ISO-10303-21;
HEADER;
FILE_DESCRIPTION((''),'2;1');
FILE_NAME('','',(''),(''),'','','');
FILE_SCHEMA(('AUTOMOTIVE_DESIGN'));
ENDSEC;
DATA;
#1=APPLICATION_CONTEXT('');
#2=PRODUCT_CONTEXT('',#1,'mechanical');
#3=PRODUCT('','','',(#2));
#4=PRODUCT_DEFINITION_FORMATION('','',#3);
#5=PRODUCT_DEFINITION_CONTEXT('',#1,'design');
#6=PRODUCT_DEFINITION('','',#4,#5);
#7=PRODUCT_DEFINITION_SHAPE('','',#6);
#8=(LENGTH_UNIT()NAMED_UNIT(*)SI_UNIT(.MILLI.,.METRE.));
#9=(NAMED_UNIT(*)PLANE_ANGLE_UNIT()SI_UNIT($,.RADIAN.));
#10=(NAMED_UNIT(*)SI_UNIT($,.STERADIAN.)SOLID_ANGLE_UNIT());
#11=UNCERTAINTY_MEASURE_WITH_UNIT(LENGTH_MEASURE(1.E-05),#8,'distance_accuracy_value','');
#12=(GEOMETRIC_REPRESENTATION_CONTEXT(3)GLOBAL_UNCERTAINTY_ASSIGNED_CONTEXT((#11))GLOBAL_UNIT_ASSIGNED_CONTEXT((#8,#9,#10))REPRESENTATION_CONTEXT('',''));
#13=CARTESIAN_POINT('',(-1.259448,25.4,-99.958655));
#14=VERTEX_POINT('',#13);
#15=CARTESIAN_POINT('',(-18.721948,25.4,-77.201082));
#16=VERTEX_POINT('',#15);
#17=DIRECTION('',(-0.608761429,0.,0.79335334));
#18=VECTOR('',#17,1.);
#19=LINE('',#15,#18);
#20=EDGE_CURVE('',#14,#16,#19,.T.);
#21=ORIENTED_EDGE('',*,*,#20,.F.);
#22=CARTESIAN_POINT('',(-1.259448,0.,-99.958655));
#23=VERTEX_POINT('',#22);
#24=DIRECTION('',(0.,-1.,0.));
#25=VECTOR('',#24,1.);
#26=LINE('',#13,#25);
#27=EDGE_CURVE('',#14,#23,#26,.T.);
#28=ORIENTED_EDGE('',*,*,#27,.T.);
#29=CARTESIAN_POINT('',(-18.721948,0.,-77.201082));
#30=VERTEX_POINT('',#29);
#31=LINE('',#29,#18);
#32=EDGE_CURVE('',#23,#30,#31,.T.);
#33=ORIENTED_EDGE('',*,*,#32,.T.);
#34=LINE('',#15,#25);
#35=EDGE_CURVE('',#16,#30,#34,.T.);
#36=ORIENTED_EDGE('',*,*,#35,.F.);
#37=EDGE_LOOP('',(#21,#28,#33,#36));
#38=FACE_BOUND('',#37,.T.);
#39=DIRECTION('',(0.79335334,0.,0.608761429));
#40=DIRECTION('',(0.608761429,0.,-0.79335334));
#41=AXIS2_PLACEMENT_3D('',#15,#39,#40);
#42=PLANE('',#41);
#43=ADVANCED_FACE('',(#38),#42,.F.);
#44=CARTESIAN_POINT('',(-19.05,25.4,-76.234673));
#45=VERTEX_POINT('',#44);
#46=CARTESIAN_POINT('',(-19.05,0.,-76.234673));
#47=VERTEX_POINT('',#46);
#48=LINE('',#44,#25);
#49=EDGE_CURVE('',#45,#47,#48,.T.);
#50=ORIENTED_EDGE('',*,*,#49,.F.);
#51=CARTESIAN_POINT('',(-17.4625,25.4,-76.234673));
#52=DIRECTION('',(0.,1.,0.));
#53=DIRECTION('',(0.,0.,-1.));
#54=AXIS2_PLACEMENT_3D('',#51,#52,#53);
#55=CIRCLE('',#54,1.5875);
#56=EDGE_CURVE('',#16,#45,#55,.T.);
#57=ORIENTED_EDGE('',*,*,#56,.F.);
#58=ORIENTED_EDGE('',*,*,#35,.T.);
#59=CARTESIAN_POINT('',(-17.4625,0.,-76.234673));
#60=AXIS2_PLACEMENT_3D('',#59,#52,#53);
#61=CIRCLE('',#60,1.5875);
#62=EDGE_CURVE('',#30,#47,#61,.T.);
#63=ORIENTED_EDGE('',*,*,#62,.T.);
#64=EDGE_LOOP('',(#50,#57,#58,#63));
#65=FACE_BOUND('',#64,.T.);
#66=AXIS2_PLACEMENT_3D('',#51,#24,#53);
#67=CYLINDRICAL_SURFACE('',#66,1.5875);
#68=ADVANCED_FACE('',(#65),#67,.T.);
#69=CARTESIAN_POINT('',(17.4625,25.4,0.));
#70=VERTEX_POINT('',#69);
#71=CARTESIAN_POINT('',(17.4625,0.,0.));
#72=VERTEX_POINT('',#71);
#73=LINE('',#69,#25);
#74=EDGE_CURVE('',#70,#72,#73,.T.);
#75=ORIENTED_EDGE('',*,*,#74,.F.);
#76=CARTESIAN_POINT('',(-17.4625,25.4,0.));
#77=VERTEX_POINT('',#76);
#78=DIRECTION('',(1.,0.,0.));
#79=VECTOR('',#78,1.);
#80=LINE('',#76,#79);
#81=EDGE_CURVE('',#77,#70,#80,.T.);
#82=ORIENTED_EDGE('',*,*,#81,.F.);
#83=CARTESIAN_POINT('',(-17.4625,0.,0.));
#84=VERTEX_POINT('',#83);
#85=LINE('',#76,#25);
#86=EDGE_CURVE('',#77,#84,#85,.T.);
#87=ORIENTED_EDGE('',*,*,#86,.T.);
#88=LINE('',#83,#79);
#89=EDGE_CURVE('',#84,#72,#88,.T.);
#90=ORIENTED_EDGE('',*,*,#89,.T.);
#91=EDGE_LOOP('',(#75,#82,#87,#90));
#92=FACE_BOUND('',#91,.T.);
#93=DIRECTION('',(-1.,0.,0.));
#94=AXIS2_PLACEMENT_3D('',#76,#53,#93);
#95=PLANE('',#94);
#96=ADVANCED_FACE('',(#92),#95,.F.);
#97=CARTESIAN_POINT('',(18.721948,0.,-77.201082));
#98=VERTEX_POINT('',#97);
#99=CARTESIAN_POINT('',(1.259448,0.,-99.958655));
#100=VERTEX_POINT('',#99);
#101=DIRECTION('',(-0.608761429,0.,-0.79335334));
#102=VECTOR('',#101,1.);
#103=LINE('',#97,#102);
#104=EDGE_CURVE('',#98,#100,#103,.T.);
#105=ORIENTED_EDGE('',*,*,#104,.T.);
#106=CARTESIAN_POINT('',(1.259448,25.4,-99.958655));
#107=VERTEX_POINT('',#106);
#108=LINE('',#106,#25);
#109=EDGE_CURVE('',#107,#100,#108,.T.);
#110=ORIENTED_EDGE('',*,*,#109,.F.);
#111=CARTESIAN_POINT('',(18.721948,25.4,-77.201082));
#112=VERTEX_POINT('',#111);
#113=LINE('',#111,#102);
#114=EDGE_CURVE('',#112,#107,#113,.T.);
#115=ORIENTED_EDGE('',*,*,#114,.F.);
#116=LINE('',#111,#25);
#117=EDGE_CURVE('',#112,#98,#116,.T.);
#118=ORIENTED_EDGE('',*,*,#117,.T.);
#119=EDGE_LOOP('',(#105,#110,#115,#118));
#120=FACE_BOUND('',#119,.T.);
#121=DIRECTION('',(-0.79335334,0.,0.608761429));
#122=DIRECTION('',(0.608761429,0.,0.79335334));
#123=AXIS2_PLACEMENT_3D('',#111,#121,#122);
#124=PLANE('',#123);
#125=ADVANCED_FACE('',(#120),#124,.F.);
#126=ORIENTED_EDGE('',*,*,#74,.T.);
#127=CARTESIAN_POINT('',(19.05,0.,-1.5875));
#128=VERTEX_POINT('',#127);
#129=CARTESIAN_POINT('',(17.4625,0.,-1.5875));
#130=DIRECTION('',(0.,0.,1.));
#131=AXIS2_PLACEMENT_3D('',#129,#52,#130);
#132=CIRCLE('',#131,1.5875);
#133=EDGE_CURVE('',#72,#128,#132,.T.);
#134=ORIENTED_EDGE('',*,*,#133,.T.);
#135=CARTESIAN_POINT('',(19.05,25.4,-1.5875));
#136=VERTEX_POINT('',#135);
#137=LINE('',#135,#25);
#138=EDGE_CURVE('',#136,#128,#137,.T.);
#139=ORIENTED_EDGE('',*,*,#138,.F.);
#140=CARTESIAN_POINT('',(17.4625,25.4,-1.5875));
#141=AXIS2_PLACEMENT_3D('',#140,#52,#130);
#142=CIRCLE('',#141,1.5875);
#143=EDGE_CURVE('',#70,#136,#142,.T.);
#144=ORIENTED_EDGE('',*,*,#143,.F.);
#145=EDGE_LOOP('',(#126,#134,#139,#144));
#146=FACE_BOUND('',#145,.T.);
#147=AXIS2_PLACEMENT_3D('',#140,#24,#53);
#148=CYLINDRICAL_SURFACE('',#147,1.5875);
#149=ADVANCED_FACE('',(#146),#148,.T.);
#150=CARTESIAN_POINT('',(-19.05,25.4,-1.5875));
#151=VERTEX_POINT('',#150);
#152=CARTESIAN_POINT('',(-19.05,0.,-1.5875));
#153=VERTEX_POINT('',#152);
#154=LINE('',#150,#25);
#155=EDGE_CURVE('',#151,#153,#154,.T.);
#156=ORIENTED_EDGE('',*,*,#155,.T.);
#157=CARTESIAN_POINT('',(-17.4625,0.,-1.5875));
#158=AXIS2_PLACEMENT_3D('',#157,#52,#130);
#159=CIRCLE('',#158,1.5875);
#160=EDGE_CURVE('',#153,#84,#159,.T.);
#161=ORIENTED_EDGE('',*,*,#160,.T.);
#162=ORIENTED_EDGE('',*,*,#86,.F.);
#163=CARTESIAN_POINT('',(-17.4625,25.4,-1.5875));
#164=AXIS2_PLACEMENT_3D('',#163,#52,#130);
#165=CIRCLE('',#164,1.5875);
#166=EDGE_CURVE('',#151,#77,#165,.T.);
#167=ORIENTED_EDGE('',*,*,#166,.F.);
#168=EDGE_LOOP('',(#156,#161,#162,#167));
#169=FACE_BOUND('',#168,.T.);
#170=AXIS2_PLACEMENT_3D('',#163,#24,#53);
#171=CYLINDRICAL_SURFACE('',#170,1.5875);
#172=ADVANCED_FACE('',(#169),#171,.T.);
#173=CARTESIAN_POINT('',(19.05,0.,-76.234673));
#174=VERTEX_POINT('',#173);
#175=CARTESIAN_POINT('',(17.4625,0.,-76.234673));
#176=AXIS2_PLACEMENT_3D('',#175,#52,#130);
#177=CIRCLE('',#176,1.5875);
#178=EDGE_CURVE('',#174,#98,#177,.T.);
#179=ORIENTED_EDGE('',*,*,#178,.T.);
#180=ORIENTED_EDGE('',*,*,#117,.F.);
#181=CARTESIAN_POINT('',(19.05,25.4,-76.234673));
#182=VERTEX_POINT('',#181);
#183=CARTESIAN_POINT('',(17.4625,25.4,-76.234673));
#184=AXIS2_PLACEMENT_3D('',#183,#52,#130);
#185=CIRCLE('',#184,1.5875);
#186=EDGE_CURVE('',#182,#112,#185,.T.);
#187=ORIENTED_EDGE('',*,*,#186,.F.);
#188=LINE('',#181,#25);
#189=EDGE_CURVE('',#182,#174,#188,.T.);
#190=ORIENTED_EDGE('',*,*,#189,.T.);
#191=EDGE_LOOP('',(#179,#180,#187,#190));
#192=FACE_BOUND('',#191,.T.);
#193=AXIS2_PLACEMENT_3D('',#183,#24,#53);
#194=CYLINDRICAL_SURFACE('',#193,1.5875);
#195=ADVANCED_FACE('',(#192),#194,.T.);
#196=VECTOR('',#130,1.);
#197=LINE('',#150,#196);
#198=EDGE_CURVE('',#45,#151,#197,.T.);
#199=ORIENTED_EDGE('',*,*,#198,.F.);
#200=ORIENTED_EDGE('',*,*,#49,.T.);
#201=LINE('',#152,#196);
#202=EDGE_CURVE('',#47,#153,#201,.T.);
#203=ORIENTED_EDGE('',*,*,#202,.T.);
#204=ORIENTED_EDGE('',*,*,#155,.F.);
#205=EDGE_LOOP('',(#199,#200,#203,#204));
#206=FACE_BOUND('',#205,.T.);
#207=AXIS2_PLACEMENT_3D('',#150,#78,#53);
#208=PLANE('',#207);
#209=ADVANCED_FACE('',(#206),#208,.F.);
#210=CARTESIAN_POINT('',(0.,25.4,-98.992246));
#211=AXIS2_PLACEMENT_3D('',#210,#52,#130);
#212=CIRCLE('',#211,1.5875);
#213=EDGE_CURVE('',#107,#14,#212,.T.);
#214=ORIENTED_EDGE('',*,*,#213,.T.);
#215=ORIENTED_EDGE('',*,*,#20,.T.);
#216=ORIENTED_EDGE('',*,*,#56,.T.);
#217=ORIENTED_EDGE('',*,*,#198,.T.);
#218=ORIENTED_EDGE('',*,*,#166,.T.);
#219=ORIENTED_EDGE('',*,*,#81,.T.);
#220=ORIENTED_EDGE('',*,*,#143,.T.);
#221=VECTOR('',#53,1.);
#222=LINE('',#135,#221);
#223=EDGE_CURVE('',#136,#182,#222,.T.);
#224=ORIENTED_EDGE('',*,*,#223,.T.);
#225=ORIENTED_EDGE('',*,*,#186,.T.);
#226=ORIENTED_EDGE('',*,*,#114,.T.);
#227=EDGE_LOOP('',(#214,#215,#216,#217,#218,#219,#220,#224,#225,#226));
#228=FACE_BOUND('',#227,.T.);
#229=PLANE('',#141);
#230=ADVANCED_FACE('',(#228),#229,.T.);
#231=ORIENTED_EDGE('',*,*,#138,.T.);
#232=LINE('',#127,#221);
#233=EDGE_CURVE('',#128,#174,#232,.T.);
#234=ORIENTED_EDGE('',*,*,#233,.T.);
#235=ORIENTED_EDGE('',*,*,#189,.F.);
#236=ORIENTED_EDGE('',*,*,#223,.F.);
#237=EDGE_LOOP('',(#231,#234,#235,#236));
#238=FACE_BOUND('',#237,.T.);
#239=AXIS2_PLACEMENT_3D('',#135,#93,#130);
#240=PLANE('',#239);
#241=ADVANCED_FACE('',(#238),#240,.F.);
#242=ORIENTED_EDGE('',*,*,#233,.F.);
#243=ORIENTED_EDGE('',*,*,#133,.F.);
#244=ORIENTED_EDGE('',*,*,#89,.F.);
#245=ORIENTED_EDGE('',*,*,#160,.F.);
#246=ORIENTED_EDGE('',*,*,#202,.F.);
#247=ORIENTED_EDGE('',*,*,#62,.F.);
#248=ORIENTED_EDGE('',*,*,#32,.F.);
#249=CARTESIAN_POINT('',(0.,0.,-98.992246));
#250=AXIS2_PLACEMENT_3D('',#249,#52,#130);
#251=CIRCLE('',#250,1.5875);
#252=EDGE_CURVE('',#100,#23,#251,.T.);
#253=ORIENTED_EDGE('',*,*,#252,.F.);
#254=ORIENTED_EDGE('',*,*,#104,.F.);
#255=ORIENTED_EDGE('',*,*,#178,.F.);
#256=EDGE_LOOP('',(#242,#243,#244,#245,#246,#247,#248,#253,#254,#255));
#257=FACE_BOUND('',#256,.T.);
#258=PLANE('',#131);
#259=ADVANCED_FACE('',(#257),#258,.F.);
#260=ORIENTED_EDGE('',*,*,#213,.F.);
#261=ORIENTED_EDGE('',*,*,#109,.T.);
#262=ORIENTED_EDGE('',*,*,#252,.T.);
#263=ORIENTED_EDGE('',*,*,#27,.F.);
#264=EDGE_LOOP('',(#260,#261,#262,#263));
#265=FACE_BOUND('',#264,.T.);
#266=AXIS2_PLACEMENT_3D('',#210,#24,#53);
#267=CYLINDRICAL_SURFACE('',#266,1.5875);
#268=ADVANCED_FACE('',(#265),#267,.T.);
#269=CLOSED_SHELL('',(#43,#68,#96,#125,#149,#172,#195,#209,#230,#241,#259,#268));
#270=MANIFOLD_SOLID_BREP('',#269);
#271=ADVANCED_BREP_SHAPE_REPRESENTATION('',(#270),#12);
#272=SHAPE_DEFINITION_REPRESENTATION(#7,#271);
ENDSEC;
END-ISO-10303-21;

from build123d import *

# Parameters (mm, degrees)
EXTRUDE1_DEPTH = 25.4


with BuildPart() as part:
    # Sketch1 → Extrude1 (new body)
    with BuildSketch(Plane(origin=(0, 0, 0), x_dir=(1, 0, 0), z_dir=(0, 1, 0))):
        with BuildLine():
            Line((-17.4625, 0), (17.4625, 0))
            ThreePointArc((17.4625, 0), (18.585032015, 0.464967985), (19.05, 1.5875))
            Line((19.05, 1.5875), (19.05, 76.234673011))
            ThreePointArc((19.05, 76.234673011), (18.965751581, 76.744958163), (18.721948428, 77.20108178))
            Line((18.721948428, 77.20108178), (1.259448428, 99.958654853))
            ThreePointArc((1.259448428, 99.958654853), (0, 100.579746085), (-1.259448428, 99.958654853))
            Line((-1.259448428, 99.958654853), (-18.721948428, 77.20108178))
            ThreePointArc((-18.721948428, 77.20108178), (-18.965751581, 76.744958163), (-19.05, 76.234673011))
            Line((-19.05, 76.234673011), (-19.05, 1.5875))
            ThreePointArc((-19.05, 1.5875), (-18.585032015, 0.464967985), (-17.4625, 0))
        make_face()
    extrude(amount=EXTRUDE1_DEPTH)


solid = part.part
